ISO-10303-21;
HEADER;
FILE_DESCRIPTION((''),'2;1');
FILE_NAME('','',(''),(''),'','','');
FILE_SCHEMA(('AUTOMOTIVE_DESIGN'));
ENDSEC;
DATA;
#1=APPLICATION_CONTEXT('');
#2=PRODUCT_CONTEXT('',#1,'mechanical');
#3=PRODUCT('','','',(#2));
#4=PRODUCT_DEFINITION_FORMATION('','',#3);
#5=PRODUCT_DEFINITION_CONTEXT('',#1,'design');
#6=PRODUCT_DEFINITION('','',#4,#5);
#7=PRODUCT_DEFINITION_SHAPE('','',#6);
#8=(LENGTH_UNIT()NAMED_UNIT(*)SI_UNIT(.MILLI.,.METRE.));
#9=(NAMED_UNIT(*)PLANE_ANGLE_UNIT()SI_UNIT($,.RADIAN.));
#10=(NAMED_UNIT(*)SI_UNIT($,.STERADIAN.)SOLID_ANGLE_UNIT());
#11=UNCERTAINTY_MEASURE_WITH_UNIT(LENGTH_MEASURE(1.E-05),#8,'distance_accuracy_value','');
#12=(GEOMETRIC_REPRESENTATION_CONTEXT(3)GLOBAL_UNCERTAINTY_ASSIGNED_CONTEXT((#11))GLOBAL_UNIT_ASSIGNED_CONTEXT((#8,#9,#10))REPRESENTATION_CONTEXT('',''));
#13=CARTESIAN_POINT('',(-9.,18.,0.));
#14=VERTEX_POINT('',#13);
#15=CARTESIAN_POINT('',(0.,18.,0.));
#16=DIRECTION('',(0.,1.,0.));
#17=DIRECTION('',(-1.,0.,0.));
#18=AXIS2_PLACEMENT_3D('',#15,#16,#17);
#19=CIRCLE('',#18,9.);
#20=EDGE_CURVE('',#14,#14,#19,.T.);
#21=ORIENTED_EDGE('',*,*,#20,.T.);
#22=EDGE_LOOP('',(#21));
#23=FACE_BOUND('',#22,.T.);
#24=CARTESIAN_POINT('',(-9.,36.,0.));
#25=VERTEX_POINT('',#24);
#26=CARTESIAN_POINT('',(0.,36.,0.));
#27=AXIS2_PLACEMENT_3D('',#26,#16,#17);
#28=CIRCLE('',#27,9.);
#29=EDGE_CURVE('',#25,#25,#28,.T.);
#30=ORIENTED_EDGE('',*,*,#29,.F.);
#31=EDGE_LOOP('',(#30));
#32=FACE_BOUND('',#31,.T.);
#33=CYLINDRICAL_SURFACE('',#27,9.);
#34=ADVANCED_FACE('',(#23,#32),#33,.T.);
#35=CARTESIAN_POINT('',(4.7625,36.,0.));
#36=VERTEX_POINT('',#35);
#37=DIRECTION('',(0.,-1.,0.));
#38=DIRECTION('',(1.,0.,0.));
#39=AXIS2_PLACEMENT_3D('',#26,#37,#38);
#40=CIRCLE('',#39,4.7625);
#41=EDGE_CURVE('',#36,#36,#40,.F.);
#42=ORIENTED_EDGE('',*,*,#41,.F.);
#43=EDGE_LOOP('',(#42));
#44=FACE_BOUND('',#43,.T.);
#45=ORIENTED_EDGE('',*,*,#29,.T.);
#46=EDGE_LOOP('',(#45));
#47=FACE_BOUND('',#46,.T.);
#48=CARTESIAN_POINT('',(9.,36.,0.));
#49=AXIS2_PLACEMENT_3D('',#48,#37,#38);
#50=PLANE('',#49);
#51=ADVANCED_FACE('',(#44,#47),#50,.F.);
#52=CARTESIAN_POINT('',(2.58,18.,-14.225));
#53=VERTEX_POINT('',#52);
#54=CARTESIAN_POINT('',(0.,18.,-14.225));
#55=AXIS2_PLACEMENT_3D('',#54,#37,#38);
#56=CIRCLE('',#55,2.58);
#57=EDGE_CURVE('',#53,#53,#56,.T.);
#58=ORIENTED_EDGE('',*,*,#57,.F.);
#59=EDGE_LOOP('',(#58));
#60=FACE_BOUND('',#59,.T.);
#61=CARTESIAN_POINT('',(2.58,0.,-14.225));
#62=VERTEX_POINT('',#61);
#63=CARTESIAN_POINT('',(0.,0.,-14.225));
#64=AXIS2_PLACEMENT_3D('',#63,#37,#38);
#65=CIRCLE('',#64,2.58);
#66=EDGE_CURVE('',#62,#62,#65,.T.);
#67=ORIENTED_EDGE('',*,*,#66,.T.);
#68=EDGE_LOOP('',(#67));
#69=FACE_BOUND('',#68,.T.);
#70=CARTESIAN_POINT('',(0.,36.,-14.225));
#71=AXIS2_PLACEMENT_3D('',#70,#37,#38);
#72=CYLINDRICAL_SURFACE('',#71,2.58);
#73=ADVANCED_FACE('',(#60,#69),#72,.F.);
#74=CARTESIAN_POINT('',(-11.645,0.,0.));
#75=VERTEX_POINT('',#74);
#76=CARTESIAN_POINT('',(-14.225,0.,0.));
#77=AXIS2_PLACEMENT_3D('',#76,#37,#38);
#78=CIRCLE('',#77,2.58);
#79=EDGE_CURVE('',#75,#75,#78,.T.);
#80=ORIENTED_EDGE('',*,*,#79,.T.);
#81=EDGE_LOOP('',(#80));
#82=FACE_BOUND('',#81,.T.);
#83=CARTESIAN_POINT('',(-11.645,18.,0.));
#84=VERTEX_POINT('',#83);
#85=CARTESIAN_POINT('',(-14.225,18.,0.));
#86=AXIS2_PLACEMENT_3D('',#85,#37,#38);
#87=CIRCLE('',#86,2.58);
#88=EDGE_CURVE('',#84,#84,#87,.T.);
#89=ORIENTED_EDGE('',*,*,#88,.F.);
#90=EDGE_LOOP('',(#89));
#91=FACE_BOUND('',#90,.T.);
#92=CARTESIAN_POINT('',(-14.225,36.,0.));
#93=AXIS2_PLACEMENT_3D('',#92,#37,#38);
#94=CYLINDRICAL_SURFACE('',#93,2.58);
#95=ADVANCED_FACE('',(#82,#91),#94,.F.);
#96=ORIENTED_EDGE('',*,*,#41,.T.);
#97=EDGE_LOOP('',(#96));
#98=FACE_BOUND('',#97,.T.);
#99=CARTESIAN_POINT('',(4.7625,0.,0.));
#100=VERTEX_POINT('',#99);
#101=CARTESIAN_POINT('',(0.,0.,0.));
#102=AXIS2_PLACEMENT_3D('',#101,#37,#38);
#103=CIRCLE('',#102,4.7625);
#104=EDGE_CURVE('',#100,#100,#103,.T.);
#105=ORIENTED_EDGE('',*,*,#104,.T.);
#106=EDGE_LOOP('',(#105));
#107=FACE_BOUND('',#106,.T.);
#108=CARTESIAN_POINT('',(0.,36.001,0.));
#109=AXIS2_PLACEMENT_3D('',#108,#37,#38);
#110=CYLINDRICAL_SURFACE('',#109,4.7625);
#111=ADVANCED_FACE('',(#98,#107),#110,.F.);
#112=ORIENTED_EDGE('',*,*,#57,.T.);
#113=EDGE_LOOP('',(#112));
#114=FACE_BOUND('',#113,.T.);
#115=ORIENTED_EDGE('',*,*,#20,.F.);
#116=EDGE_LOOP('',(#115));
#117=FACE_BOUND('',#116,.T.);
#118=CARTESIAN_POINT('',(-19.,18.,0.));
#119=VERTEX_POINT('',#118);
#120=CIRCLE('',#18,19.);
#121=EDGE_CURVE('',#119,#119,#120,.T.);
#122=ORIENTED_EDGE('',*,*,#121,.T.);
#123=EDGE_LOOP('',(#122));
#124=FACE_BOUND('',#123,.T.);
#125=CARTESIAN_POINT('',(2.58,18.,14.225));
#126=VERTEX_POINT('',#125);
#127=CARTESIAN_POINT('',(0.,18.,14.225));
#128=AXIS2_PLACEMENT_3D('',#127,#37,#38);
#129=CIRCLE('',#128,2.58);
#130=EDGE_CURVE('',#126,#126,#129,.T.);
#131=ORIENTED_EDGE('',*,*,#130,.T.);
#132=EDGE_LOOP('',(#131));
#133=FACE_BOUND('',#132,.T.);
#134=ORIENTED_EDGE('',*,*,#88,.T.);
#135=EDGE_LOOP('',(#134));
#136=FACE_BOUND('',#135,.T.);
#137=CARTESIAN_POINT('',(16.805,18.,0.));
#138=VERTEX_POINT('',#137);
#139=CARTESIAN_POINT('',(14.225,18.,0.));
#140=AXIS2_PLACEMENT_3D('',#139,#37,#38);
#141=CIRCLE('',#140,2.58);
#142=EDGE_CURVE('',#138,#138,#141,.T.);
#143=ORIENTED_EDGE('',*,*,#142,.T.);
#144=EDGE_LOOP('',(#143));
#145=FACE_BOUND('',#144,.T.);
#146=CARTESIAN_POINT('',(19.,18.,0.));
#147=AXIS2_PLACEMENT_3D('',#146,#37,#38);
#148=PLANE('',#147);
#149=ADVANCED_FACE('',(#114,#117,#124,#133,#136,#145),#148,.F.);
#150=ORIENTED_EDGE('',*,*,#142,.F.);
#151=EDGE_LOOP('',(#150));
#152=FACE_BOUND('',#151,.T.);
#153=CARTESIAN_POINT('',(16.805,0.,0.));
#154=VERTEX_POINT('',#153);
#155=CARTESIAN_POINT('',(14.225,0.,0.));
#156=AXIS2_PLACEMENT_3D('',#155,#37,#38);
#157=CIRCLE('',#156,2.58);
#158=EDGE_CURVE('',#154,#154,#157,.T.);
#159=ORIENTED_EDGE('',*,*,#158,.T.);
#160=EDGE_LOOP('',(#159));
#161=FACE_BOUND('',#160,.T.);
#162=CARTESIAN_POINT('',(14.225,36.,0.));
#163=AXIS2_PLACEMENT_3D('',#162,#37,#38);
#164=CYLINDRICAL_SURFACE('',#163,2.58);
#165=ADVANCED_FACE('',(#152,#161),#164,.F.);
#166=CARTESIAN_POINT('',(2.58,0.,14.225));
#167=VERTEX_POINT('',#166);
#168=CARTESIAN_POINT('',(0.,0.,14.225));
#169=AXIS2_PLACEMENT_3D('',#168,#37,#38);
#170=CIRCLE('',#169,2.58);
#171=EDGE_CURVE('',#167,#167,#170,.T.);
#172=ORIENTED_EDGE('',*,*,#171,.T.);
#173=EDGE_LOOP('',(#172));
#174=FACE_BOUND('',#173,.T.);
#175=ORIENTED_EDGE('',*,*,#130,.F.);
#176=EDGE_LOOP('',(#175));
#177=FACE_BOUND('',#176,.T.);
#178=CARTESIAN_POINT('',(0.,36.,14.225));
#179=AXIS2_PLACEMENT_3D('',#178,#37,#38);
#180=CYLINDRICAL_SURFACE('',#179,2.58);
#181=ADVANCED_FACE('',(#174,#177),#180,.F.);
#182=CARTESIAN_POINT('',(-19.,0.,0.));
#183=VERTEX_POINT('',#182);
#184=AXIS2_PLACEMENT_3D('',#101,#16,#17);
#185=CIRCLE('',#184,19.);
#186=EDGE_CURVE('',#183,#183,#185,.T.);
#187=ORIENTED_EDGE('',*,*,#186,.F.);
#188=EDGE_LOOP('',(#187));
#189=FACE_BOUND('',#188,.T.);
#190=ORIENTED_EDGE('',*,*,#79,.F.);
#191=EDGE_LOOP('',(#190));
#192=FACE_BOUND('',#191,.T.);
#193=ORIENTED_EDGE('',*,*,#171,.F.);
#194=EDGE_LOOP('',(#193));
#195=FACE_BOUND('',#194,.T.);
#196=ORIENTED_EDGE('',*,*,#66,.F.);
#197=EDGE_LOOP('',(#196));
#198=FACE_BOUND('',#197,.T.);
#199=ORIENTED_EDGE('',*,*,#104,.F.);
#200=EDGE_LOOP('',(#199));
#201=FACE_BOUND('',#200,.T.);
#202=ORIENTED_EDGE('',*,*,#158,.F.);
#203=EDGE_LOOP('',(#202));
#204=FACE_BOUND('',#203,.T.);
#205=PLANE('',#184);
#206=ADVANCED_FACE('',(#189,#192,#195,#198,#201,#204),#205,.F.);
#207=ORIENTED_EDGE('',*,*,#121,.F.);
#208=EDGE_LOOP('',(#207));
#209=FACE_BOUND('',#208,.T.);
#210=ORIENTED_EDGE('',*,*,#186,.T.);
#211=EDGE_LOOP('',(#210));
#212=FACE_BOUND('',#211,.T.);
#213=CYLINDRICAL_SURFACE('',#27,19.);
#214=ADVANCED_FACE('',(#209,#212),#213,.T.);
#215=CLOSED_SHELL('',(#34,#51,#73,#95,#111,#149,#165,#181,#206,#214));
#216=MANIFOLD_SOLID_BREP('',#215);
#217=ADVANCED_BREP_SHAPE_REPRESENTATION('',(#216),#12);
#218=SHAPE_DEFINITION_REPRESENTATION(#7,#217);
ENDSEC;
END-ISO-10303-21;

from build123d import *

# Parameters (mm, degrees)
CUT_EXTRUDE1_REACH = 46.922
SKETCH2_R          = 4.7625
SKETCH3_R          = 2.58
CUT_EXTRUDE2_DEPTH = 45.92215489


with BuildPart() as part:
    # Sketch1 → Revolve1 (revolve)
    with BuildSketch(Plane.XY, mode=Mode.PRIVATE) as revolve1_sk:
        Polygon((0, 0), (19, 0), (19, 18), (9, 18), (9, 36), (0, 36), align=None)
    revolve(revolve1_sk.sketch.rotate(Axis((0, 36, 0), (0, -1, 0)), 180), axis=Axis((0, 36, 0), (0, -1, 0)))

    # Sketch2 → Cut-Extrude1 (cut, up to next)
    with BuildSketch(Plane.XZ, mode=Mode.PRIVATE) as cut_extrude1_sk1:
        Circle(SKETCH2_R)
    cut_extrude1_tool1 = extrude(cut_extrude1_sk1.sketch, amount=-CUT_EXTRUDE1_REACH, mode=Mode.PRIVATE) & part.part
    add(cut_extrude1_tool1.solids().sort_by_distance((0, 0, 0))[0], mode=Mode.SUBTRACT)

    # Sketch3 → Cut-Extrude2 (cut, through all)
    with BuildSketch(Plane.XZ):
        with Locations((0, 14.225)):
            Circle(SKETCH3_R)
        with Locations((14.225, 0)):
            Circle(SKETCH3_R)
        with Locations((0, -14.225)):
            Circle(SKETCH3_R)
        with Locations((-14.225, 0)):
            Circle(SKETCH3_R)
    extrude(amount=-CUT_EXTRUDE2_DEPTH, mode=Mode.SUBTRACT)


solid = part.part
